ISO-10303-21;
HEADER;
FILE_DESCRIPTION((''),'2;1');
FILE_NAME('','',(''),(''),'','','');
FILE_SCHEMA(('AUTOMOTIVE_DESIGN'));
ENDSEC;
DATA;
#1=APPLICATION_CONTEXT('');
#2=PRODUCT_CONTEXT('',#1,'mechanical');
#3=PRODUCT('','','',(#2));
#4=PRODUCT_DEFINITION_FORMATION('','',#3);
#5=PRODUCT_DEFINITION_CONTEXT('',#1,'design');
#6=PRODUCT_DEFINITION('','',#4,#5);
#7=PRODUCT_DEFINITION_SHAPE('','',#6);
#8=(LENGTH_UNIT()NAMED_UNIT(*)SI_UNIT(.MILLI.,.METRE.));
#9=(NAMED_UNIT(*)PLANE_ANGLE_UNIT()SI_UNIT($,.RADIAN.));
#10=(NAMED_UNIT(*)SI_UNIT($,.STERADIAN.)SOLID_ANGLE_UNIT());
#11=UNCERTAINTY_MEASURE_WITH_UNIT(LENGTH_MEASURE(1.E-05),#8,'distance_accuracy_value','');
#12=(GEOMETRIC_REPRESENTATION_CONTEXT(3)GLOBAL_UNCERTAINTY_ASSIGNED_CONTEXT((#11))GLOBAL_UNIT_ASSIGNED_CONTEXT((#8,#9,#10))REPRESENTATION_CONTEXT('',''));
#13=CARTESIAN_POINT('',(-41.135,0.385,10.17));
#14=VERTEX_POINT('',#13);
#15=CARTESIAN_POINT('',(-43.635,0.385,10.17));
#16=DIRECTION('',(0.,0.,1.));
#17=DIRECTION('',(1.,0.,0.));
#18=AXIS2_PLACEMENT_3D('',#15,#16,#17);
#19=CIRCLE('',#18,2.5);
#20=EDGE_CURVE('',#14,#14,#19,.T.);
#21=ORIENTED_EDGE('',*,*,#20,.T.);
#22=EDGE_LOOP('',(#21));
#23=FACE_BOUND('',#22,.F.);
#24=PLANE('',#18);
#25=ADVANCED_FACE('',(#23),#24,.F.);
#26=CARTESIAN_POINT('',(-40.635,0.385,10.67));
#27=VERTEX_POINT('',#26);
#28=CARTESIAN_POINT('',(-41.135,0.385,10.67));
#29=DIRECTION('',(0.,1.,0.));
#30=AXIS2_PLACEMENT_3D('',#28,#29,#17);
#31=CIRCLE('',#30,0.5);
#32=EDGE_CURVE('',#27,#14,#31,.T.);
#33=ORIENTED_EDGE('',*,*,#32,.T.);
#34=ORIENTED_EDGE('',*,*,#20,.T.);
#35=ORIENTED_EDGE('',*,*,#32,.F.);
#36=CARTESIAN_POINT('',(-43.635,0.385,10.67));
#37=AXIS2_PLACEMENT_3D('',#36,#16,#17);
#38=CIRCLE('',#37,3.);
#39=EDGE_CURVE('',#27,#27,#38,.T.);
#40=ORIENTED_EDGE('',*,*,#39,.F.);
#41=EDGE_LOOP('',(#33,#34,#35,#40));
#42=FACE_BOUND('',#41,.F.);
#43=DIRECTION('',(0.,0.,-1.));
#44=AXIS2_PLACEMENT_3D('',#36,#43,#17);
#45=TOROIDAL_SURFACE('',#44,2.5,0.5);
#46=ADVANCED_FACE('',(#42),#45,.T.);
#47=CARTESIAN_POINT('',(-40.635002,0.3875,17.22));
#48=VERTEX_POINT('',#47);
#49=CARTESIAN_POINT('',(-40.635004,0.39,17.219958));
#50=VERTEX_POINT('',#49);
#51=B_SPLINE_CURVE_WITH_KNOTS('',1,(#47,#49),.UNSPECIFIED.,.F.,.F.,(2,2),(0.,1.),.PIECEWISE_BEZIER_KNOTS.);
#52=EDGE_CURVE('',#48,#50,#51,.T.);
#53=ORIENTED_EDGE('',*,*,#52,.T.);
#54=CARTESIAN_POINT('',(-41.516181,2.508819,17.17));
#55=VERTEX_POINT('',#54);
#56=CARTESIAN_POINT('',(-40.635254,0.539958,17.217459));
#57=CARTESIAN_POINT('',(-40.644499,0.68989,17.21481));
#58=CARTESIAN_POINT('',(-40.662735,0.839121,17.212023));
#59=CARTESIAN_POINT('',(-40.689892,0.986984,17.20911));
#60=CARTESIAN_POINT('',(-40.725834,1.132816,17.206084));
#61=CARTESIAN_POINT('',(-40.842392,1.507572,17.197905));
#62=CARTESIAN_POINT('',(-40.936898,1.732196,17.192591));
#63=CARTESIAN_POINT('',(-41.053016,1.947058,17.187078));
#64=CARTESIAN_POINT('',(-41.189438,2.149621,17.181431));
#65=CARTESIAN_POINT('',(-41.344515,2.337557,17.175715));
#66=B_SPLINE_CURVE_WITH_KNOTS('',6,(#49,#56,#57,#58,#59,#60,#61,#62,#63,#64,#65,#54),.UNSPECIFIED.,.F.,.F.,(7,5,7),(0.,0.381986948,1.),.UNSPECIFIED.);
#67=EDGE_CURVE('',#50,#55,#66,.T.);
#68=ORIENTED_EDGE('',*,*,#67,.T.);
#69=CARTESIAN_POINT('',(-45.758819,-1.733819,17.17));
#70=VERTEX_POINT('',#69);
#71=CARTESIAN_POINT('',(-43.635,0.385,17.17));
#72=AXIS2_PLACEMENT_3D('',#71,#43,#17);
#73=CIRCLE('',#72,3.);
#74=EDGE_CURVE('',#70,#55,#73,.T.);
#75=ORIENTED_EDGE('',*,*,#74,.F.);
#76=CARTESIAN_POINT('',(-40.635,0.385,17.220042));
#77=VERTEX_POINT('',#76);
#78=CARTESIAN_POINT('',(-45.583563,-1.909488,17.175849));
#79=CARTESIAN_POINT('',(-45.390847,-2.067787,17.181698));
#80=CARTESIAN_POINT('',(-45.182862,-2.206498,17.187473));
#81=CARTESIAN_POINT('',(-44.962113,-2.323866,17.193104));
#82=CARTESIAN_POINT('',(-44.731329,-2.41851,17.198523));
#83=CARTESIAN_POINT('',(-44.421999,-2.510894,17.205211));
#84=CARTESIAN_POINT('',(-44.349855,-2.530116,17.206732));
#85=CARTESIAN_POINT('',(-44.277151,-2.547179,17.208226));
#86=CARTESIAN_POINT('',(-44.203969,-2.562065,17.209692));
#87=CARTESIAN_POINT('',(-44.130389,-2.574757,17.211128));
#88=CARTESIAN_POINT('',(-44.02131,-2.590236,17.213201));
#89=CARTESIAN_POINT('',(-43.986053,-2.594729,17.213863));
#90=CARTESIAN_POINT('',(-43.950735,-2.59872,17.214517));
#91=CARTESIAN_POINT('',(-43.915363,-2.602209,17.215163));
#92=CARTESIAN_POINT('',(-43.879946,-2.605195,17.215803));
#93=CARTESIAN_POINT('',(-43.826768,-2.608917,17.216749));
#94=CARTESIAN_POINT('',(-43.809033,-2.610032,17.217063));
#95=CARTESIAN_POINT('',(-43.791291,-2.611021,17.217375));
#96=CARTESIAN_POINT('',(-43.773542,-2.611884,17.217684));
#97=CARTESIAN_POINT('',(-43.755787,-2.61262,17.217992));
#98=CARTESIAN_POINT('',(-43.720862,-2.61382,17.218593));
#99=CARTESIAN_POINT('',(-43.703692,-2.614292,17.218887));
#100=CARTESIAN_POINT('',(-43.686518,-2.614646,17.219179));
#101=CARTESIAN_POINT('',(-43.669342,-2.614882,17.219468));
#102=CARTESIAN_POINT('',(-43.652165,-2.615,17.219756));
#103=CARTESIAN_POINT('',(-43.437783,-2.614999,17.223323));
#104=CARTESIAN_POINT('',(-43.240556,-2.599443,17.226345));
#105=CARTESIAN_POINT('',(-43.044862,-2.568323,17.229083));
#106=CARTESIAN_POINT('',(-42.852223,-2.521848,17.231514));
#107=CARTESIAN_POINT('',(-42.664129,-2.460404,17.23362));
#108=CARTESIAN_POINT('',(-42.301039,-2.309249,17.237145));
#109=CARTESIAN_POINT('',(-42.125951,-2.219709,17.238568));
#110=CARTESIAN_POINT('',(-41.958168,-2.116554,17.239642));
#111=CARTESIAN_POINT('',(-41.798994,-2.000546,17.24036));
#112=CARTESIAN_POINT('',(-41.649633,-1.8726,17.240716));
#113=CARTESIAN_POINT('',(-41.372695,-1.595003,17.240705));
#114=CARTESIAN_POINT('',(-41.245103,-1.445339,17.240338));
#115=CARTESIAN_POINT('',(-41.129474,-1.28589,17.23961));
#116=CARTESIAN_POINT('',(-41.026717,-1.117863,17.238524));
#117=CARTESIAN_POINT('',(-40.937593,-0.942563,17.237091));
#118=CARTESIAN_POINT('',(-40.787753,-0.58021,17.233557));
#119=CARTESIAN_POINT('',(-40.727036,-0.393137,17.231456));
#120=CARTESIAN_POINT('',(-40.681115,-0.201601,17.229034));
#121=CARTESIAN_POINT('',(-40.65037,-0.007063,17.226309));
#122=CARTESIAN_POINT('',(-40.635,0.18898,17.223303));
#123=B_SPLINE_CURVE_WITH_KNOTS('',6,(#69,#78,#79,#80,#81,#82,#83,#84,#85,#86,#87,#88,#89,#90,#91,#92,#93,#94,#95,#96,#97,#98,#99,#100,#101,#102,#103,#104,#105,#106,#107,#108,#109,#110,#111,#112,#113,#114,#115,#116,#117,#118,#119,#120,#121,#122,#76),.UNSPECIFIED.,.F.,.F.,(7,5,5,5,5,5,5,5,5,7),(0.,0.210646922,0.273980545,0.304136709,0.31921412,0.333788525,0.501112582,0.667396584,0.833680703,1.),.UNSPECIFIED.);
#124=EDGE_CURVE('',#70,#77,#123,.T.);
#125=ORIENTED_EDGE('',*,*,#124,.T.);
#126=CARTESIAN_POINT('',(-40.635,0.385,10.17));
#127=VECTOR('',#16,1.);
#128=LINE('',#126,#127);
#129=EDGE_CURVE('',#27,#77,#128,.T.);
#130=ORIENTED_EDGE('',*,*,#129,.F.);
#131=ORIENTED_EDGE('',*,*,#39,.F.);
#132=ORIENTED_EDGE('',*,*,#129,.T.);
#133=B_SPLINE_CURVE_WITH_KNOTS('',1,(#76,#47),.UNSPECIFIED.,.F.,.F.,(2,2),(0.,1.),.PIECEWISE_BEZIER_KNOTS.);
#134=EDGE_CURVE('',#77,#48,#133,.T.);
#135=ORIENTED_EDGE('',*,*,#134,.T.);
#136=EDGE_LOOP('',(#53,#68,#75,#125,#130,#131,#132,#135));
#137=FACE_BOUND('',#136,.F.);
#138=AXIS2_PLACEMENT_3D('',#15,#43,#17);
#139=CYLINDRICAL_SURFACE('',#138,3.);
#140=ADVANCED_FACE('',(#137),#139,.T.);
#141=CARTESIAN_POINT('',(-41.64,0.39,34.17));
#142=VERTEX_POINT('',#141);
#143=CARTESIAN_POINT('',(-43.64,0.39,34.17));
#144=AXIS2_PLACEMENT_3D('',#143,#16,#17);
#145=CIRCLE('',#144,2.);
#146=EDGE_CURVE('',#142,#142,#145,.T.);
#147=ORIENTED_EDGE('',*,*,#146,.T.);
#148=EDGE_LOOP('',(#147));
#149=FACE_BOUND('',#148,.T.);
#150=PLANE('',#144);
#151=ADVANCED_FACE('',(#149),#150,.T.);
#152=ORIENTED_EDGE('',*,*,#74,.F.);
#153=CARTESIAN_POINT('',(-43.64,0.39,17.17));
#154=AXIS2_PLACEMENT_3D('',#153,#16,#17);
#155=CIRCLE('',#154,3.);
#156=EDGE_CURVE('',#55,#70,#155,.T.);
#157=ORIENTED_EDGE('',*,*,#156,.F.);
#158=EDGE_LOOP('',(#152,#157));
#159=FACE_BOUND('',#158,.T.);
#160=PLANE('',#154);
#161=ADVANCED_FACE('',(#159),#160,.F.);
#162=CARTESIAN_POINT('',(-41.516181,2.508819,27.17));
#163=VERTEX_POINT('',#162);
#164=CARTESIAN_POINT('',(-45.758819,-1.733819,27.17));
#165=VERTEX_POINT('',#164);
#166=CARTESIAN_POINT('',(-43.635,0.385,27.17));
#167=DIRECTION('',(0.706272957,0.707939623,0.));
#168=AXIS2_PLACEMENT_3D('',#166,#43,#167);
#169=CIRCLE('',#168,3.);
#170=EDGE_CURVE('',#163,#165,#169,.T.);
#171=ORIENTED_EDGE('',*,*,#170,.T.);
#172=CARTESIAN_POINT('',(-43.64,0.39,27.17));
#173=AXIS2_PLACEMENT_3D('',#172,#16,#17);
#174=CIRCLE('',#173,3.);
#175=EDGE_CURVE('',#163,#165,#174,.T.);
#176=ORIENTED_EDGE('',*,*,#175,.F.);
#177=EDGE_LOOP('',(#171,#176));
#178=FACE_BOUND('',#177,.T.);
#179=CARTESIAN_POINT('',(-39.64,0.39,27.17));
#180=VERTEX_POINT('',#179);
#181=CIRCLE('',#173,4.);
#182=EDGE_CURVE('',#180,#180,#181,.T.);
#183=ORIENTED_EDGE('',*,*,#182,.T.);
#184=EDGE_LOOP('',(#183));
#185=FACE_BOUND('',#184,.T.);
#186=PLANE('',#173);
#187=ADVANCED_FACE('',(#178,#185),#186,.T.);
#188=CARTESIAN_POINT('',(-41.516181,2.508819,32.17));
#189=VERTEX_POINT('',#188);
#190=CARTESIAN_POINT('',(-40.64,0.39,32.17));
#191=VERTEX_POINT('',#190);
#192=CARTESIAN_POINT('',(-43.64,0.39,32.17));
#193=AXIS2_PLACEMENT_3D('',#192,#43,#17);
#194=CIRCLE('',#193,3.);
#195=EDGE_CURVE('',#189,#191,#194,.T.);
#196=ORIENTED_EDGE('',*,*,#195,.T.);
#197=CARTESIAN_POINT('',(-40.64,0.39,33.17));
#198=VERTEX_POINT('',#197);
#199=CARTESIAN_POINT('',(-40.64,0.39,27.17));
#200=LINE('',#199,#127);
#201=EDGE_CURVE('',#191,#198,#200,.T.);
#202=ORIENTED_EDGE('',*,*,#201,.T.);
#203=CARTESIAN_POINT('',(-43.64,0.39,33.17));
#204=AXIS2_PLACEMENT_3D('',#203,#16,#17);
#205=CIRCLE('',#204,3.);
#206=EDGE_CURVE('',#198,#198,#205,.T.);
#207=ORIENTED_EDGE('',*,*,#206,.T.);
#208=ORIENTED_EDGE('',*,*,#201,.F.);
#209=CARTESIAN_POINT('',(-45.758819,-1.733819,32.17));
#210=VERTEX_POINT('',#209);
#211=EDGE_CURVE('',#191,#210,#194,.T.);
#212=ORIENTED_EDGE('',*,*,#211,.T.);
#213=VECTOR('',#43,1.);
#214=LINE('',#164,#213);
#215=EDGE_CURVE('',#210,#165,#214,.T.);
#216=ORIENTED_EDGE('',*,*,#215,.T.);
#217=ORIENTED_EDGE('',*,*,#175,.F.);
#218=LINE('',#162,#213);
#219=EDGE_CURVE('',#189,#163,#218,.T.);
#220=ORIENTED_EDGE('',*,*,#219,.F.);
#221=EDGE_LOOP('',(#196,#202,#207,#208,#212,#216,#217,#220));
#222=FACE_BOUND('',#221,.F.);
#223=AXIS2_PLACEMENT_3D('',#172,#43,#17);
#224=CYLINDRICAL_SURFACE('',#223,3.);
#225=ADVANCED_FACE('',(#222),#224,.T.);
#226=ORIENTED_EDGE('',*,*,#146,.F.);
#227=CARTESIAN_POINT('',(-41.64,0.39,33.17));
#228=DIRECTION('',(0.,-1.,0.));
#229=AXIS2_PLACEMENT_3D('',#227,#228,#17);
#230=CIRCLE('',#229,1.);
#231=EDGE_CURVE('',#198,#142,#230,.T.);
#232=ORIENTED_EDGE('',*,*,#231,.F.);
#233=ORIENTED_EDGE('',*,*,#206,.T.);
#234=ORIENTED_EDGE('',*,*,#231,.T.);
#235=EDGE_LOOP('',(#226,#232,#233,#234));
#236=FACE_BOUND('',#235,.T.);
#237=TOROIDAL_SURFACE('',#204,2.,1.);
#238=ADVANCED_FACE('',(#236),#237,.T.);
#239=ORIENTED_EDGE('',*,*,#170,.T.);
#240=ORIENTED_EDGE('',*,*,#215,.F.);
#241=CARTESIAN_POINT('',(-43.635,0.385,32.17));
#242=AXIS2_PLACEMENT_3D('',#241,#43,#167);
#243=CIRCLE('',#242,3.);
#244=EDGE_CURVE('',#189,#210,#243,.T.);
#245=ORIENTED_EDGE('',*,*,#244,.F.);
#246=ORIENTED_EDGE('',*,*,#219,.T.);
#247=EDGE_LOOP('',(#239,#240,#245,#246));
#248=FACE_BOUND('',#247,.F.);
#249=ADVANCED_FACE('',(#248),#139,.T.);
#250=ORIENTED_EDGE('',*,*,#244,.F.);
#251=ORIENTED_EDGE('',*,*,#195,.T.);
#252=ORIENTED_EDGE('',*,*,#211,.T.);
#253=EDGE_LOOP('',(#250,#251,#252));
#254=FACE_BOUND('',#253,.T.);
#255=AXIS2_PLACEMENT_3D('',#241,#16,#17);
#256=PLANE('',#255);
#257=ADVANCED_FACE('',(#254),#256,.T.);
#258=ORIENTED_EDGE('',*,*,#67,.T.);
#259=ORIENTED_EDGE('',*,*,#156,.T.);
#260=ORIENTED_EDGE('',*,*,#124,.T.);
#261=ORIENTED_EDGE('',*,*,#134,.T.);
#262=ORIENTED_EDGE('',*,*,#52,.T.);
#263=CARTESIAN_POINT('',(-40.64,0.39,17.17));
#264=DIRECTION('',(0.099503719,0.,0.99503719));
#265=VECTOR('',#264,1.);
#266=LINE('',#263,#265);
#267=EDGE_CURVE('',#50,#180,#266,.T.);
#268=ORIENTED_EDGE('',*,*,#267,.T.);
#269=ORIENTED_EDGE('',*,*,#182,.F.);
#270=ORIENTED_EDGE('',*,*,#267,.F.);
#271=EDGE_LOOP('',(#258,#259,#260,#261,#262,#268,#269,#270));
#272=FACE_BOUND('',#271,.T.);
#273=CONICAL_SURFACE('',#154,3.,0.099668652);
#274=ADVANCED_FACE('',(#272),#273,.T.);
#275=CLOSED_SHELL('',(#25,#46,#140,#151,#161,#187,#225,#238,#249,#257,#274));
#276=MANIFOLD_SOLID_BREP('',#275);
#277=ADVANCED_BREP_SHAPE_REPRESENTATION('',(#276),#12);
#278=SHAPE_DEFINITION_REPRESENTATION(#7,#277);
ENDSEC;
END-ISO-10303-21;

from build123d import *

# Parameters (mm, degrees)
CYLINDER_R        = 3
CYLINDER_DEPTH    = 22
FILLET002_R       = 0.5
CYLINDER001_R     = 3
CYLINDER001_DEPTH = 7
FILLET001_R       = 1


with BuildPart() as fillet002:
    # Cylinder → Cylinder (new body)
    with BuildSketch(Plane(origin=(-43.635, 0.385, 10.17), x_dir=(1, 0, 0), z_dir=(0, 0, 1))):
        Circle(CYLINDER_R)
    extrude(amount=CYLINDER_DEPTH)

    # Fillet002
    fillet002_edges = [fillet002.edges().sort_by_distance(p)[0] for p in [
        (-46.635, 0.385, 10.17),
    ]]
    fillet(fillet002_edges, radius=FILLET002_R)


with BuildPart() as cone:
    # Cone → Cone (revolve)
    with BuildSketch(Plane(origin=(-43.64, 0.39, 17.17), x_dir=(1, 0, 0), z_dir=(0, -1, 0))):
        Polygon((0, 0), (3, 0), (4, 10), (0, 10), align=None)
    revolve(axis=Axis((-43.64, 0.39, 17.17), (0, 0, 1)))


with BuildPart() as fusion001:
    # Cylinder001 → Cylinder001 (new body)
    with BuildSketch(Plane(origin=(-43.64, 0.39, 27.17), x_dir=(1, 0, 0), z_dir=(0, 0, 1))):
        Circle(CYLINDER001_R)
    extrude(amount=CYLINDER001_DEPTH)

    # Fillet001
    fillet001_edges = [fusion001.edges().sort_by_distance(p)[0] for p in [
        (-46.64, 0.39, 34.17),
    ]]
    fillet(fillet001_edges, radius=FILLET001_R)

    # Fusion001: union Fillet002, Cone
    add(fillet002.part)
    add(cone.part)


solid = fusion001.part
